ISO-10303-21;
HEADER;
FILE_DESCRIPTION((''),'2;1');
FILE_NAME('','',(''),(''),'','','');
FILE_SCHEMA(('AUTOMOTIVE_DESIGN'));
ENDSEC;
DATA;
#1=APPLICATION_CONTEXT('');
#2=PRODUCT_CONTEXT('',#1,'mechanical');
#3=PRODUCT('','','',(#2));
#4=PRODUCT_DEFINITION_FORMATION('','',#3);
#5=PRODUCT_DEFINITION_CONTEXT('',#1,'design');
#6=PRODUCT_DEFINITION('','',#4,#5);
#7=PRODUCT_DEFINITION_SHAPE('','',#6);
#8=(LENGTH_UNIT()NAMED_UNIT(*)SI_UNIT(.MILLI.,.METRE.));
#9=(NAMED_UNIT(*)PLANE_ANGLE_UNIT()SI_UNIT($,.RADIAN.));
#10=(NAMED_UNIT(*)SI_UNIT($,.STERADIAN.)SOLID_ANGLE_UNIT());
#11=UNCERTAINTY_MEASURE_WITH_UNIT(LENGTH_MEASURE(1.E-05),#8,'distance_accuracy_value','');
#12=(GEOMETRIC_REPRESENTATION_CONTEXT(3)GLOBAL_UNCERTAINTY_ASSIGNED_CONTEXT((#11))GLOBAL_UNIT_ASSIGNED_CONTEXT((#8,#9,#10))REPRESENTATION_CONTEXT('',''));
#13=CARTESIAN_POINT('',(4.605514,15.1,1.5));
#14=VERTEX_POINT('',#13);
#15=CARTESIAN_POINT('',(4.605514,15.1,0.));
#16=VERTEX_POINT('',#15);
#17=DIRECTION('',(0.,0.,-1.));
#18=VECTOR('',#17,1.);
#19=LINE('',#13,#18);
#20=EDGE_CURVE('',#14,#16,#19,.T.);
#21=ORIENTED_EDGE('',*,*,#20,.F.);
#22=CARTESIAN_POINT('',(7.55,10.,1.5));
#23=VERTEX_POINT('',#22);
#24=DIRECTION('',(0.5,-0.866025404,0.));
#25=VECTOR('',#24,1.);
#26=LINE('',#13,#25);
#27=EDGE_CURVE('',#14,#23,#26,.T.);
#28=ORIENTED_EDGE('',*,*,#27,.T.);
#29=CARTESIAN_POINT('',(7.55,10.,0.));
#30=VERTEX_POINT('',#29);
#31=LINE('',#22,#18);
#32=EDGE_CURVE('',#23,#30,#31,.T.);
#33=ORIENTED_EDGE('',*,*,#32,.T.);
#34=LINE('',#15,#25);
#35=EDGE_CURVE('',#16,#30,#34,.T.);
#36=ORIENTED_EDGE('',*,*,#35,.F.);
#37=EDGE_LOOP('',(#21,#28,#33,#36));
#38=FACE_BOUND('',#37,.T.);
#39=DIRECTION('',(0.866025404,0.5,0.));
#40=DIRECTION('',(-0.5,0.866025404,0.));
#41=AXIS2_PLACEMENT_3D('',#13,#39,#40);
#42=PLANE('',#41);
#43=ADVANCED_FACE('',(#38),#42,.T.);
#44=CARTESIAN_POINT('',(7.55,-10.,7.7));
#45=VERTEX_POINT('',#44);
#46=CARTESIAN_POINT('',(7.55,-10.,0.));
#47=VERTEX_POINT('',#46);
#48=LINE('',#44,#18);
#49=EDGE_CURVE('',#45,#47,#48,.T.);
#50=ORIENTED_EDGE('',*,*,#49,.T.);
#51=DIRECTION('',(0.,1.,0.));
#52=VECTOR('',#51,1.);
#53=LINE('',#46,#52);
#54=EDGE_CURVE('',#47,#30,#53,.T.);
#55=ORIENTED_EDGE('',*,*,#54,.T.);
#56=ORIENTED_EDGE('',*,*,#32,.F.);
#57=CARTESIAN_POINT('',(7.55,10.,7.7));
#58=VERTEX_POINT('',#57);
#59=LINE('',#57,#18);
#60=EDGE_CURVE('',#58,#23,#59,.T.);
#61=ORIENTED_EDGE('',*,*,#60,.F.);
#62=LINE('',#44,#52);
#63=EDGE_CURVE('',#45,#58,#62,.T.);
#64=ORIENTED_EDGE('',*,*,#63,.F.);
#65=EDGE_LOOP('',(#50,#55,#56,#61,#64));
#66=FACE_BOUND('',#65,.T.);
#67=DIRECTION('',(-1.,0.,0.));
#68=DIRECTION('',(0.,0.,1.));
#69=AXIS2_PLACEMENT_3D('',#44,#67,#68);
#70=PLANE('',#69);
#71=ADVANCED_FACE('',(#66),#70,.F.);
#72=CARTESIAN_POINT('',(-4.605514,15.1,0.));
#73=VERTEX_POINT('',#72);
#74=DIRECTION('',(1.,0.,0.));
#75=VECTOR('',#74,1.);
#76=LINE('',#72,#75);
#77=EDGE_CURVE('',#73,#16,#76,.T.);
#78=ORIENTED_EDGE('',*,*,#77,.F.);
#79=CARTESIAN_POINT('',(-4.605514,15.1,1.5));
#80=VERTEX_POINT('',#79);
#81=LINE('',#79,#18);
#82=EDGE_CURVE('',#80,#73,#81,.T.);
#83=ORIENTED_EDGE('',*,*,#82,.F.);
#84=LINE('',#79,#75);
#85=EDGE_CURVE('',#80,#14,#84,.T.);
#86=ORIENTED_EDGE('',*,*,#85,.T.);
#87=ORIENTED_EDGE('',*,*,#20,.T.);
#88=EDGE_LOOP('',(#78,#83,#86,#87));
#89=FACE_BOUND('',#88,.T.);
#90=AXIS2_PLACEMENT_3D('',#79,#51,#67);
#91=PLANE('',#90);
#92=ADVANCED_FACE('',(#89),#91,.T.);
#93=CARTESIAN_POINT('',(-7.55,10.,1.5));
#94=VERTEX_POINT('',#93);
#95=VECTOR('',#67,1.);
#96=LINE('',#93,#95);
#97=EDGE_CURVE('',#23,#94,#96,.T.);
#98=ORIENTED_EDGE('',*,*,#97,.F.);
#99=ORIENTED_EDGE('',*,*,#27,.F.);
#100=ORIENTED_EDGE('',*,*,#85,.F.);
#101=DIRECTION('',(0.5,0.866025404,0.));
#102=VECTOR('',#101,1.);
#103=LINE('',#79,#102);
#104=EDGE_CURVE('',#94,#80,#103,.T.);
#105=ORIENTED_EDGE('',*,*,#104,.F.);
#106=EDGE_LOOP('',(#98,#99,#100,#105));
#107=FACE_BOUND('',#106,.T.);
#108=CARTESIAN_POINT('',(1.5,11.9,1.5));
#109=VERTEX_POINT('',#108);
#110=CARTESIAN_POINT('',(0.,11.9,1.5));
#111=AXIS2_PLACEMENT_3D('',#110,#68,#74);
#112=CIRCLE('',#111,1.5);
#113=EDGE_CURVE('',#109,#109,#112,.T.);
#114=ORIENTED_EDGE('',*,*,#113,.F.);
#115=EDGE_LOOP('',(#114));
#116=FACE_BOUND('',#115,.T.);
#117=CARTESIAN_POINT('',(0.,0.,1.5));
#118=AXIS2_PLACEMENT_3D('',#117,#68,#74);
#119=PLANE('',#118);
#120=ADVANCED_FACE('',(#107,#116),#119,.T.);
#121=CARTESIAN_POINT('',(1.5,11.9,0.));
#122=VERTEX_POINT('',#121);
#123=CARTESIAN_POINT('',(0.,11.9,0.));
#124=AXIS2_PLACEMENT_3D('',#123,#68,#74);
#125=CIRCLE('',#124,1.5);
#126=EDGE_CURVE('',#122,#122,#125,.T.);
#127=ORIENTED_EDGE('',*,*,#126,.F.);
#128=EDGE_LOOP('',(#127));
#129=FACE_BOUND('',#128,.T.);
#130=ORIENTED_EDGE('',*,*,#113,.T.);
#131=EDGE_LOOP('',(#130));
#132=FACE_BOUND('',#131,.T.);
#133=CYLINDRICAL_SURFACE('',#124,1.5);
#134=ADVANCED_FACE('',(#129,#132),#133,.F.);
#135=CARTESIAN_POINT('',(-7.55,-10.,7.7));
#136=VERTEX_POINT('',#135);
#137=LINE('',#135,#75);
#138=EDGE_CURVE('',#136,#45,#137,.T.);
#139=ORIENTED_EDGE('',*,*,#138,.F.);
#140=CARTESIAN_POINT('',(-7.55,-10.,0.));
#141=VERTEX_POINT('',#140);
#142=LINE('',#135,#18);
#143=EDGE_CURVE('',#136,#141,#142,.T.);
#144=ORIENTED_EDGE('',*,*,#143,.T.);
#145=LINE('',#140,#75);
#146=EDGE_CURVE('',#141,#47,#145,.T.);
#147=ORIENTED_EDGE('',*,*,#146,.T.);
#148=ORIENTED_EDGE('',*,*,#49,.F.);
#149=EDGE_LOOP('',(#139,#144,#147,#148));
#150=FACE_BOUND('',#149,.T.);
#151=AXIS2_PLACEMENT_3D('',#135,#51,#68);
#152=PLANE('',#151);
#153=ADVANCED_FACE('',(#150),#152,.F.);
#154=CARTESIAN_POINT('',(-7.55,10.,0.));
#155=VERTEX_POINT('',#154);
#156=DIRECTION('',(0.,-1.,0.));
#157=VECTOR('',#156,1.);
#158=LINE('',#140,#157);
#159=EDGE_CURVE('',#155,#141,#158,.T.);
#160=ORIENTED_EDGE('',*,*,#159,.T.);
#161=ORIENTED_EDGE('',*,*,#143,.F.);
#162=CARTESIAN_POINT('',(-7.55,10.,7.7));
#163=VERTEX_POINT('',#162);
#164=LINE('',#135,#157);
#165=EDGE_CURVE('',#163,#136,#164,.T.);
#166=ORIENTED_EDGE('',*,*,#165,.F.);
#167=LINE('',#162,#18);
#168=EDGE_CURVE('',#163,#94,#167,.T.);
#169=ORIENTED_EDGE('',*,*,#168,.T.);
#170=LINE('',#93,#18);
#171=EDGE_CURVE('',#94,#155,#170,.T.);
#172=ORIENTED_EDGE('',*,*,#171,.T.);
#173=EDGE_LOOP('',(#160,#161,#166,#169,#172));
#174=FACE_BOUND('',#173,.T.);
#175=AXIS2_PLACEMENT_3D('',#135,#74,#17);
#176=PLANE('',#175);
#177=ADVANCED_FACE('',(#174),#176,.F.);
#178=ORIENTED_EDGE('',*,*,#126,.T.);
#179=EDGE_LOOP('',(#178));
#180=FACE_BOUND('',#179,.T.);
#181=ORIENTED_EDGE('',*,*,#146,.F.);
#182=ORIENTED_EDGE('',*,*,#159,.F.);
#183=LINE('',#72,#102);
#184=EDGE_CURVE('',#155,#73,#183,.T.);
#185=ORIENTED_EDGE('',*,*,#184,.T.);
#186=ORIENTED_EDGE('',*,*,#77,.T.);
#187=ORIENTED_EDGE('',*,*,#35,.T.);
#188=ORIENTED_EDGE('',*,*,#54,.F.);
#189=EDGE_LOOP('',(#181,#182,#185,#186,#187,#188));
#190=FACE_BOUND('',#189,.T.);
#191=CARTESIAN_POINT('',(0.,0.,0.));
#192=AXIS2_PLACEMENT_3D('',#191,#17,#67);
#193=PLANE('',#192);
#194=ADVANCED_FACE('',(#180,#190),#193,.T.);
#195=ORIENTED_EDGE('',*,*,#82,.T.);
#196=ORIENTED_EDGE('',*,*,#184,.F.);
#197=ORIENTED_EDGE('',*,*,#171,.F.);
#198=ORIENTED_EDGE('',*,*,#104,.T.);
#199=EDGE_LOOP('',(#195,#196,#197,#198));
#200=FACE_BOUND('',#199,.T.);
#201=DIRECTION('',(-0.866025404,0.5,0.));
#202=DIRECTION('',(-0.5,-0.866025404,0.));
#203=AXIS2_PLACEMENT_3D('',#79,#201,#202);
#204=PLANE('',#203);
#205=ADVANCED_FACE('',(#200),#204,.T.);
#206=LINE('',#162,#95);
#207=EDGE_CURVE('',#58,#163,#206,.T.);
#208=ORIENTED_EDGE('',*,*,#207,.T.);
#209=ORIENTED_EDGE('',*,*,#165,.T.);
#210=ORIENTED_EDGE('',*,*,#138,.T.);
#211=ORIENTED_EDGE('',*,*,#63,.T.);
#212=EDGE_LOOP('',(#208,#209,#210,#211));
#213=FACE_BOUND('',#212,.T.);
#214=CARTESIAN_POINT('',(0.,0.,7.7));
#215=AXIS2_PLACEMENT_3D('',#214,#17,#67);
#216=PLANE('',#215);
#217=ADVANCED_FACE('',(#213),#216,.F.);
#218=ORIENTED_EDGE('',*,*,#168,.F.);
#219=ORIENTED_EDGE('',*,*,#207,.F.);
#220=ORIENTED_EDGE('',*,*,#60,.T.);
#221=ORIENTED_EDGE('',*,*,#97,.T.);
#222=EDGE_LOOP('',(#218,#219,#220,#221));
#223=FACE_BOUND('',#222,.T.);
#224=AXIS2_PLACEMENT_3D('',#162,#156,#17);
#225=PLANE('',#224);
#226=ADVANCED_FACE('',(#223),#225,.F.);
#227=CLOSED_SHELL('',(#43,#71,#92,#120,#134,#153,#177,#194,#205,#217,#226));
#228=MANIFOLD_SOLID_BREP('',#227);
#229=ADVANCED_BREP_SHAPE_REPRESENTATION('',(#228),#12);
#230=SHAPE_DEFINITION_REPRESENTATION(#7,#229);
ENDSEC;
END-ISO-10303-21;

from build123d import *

# Parameters (mm, degrees)
SKETCH1_W           = 15.1
SKETCH1_H           = 20
BOSS_EXTRUDE1_DEPTH = 7.7
BOSS_EXTRUDE2_DEPTH = 1.5
SKETCH4_R           = 1.5
CUT_EXTRUDE1_DEPTH  = 18.984785236


with BuildPart() as part:
    # Sketch1 → Boss-Extrude1 (new body)
    with BuildSketch(Plane.XY):
        Rectangle(SKETCH1_W, SKETCH1_H)
    extrude(amount=BOSS_EXTRUDE1_DEPTH)

    # Sketch3 → Boss-Extrude2 (add)
    with BuildSketch(Plane(origin=(0, 0, 0), x_dir=(-1, 0, 0), z_dir=(0, 0, -1))):
        Polygon((4.605513627, 15.1), (-4.605513627, 15.1), (-7.55, 10), (7.55, 10), align=None)
    extrude(amount=-BOSS_EXTRUDE2_DEPTH)

    # Sketch4 → Cut-Extrude1 (cut, through all)
    with BuildSketch(Plane.XY.offset(1.5)):
        with Locations((0, 11.9)):
            Circle(SKETCH4_R)
    extrude(amount=-CUT_EXTRUDE1_DEPTH, mode=Mode.SUBTRACT)


solid = part.part
